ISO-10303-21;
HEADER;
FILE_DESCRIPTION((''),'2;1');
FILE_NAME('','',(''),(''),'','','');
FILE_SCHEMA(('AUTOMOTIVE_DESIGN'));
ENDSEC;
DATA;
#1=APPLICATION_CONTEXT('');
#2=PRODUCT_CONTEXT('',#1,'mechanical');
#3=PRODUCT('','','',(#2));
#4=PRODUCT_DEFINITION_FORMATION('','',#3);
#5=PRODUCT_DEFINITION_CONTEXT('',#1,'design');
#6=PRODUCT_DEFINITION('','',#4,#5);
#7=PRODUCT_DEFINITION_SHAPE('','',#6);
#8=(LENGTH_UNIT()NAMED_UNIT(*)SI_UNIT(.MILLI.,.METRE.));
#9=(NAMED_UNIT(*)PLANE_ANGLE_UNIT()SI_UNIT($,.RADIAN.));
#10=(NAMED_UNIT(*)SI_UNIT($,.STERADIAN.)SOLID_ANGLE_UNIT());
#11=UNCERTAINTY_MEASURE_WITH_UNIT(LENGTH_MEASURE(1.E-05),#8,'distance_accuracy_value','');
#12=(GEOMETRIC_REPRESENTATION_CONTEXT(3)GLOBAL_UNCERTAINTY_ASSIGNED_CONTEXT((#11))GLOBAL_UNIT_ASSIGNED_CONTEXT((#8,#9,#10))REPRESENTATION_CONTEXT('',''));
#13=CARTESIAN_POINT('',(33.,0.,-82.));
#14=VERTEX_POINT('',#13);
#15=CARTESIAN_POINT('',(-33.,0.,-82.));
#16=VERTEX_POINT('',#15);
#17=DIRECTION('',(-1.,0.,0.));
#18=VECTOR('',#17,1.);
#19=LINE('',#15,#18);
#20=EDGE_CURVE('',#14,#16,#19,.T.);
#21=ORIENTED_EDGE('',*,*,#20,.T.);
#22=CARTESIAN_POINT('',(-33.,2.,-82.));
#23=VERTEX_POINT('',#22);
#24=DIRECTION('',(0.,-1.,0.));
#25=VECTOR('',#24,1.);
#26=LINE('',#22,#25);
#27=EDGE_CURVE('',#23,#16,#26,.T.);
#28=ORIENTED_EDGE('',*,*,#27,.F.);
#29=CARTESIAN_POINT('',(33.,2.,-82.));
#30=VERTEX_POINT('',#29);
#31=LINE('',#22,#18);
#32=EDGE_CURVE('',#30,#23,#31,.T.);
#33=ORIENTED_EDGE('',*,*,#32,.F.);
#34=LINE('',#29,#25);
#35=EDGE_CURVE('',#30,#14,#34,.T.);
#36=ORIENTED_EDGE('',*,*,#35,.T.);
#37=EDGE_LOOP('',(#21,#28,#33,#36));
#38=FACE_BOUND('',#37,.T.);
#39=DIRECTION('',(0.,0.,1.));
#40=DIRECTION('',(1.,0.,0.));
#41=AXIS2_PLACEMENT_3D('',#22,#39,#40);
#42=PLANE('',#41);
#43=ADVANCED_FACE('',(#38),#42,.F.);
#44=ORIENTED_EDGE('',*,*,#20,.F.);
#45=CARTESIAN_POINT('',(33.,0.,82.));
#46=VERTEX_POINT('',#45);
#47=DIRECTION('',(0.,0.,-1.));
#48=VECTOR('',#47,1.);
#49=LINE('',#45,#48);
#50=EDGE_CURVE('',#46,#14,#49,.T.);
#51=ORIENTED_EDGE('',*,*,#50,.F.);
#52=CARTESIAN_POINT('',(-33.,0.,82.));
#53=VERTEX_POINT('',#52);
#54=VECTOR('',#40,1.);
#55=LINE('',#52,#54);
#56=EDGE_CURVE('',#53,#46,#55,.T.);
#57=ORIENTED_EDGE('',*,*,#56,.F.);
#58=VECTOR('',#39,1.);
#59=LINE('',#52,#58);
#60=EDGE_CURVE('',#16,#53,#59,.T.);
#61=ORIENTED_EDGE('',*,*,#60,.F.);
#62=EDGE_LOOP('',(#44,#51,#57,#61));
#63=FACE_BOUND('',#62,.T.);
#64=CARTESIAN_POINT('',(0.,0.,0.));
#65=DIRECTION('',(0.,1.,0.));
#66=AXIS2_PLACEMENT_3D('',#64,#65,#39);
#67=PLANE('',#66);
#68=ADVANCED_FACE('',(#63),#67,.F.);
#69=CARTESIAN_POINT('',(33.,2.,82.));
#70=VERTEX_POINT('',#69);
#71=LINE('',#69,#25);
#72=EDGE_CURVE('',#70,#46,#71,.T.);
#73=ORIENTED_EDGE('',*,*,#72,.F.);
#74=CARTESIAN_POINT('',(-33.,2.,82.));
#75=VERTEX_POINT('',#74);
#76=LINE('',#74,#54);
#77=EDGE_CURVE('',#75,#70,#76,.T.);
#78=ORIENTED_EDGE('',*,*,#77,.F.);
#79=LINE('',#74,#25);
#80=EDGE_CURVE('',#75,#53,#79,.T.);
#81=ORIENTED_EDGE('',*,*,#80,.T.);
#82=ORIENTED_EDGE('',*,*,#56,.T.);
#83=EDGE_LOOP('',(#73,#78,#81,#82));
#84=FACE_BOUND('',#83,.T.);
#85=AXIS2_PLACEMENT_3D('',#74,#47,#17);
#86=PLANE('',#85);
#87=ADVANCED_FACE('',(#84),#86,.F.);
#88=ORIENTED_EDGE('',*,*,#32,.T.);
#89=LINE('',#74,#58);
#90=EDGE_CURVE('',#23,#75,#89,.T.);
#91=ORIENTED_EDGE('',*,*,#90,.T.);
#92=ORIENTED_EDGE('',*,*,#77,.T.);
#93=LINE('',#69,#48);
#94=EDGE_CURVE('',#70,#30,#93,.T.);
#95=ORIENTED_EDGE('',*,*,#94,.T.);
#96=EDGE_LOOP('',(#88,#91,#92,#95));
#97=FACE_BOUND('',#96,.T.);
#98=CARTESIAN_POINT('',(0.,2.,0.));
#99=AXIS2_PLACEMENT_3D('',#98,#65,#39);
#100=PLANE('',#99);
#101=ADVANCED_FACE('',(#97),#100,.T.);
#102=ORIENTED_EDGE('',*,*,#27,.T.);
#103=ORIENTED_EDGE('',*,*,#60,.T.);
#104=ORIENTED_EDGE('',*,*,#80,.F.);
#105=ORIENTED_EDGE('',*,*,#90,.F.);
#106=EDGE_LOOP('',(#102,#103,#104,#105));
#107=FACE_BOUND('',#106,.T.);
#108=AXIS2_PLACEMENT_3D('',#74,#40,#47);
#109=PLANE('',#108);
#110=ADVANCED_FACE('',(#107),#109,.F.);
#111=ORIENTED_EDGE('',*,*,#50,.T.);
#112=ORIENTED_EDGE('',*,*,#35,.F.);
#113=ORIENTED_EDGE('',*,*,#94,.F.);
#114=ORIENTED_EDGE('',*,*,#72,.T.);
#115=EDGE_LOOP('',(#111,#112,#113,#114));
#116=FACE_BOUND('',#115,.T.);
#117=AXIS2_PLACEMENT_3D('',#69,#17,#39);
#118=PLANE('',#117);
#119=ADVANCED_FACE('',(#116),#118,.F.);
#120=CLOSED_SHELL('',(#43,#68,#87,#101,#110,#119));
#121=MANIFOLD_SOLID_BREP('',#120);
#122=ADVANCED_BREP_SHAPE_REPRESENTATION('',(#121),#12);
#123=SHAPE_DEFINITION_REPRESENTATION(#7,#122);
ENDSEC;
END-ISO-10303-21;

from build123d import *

# Parameters (mm, degrees)
SKETCH1_W           = 66
SKETCH1_H           = 164
BOSS_EXTRUDE1_DEPTH = 2


with BuildPart() as part:
    # Sketch1 → Boss-Extrude1 (new body)
    with BuildSketch(Plane(origin=(0, 0, 0), x_dir=(1, 0, 0), z_dir=(0, 1, 0))):
        Rectangle(SKETCH1_W, SKETCH1_H)
    extrude(amount=BOSS_EXTRUDE1_DEPTH)


solid = part.part
